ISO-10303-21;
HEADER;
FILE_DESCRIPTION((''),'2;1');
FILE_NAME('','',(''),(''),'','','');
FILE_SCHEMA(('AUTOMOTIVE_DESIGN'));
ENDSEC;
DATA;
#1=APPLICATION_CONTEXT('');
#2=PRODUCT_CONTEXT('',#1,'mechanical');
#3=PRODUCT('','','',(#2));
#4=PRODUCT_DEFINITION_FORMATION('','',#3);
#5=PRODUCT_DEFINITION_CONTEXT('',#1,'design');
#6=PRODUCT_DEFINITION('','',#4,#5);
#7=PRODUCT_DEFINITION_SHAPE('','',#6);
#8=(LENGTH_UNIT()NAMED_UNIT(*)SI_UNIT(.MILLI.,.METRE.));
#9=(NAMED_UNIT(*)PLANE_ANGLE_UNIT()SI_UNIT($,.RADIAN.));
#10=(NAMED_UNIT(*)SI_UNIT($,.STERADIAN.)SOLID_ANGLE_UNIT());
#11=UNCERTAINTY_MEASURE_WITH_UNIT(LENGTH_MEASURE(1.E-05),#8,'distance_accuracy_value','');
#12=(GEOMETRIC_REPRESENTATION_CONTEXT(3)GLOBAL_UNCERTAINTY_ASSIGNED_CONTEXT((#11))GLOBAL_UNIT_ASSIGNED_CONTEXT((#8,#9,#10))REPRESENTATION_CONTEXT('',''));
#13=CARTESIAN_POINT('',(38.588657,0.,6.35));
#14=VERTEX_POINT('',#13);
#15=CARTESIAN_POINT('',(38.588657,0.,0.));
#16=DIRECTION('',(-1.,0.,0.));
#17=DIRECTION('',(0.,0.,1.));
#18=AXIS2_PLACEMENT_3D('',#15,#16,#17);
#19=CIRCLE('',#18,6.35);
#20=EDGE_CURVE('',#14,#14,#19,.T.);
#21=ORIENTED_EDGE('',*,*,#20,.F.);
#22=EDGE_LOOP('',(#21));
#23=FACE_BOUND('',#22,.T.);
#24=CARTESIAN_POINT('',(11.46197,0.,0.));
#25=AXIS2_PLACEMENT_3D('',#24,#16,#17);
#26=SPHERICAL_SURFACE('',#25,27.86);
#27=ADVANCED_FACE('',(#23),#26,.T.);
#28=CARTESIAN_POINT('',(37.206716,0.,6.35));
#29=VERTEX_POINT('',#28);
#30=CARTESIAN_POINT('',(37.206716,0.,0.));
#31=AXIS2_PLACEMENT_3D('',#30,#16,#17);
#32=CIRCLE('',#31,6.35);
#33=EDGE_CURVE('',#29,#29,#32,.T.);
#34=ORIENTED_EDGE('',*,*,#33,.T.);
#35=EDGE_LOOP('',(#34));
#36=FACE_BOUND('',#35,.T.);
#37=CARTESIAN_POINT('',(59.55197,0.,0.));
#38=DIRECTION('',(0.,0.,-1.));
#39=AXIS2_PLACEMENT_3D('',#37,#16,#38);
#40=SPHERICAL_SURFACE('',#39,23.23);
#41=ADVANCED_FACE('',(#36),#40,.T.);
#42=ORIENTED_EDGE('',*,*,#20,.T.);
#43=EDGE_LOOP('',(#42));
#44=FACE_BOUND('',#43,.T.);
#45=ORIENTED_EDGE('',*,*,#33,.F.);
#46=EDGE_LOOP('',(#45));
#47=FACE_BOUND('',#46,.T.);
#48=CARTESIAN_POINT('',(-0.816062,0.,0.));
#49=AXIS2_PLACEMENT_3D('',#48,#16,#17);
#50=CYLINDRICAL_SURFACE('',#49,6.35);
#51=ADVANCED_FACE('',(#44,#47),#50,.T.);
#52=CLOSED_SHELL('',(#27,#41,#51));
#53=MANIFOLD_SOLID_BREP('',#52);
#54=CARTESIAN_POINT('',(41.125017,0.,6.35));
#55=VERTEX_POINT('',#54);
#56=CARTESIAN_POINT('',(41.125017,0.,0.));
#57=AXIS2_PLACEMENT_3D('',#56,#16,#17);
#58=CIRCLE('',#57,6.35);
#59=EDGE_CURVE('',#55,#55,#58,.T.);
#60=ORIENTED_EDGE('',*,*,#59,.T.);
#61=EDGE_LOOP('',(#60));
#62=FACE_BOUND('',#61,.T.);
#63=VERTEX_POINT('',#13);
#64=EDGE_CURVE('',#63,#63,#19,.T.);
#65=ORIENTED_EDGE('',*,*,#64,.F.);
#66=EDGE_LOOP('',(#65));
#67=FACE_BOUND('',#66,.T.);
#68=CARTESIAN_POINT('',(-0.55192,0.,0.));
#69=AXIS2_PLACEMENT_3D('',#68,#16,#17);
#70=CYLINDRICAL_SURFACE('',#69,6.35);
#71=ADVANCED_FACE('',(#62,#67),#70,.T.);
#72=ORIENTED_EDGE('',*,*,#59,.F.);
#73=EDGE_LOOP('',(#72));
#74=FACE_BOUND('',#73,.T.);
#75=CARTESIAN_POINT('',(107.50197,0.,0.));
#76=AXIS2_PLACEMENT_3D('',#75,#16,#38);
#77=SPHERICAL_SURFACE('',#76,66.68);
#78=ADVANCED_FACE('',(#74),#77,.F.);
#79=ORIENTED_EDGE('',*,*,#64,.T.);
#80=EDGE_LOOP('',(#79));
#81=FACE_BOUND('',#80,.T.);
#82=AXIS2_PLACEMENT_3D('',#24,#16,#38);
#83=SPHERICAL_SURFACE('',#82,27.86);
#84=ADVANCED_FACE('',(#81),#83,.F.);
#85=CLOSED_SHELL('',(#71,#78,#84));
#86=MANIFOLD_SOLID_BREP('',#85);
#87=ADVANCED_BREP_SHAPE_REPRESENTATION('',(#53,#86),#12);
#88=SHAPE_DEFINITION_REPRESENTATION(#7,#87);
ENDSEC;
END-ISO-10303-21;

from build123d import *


with BuildPart() as part:
    # 草图1 one side → 旋转1 (revolve)
    with BuildSketch(Plane(origin=(0, 0, 0), x_dir=(1, 0, 0), z_dir=(0, 1, 0)), mode=Mode.PRIVATE) as revolve_1_sk:
        with BuildLine():
            ThreePointArc((37.206715943, 6.35), (36.54422001, 3.205669764), (36.321970472, 0))
            Line((36.321970472, 0), (39.321970472, 0))
            ThreePointArc((39.321970472, 0), (39.138034819, 3.196101111), (38.588656595, 6.35))
            Line((38.588656595, 6.35), (37.206715943, 6.35))
        make_face()
    revolve(revolve_1_sk.sketch.rotate(Axis((-0.816062176, 0, 0), (1, 0, 0)), 180), axis=Axis((-0.816062176, 0, 0), (1, 0, 0)))  # turned: the seam where the file's is


with BuildPart() as body_2:
    # 草图2 one side → 旋转2 (revolve)
    with BuildSketch(Plane(origin=(0, 0, 0), x_dir=(1, 0, 0), z_dir=(0, 1, 0))):
        with BuildLine():
            Line((41.125017394, 6.35), (38.588656595, 6.35))
            ThreePointArc((38.588656595, 6.35), (39.138034819, 3.196101111), (39.321970472, 0))
            Line((39.321970472, 0), (40.821970472, 0))
            ThreePointArc((40.821970472, 0), (40.897775292, 3.178613591), (41.125017394, 6.35))
        make_face()
    revolve(axis=Axis((-0.551919993, 0, 0), (1, 0, 0)))


solid = Compound([part.part, body_2.part])
